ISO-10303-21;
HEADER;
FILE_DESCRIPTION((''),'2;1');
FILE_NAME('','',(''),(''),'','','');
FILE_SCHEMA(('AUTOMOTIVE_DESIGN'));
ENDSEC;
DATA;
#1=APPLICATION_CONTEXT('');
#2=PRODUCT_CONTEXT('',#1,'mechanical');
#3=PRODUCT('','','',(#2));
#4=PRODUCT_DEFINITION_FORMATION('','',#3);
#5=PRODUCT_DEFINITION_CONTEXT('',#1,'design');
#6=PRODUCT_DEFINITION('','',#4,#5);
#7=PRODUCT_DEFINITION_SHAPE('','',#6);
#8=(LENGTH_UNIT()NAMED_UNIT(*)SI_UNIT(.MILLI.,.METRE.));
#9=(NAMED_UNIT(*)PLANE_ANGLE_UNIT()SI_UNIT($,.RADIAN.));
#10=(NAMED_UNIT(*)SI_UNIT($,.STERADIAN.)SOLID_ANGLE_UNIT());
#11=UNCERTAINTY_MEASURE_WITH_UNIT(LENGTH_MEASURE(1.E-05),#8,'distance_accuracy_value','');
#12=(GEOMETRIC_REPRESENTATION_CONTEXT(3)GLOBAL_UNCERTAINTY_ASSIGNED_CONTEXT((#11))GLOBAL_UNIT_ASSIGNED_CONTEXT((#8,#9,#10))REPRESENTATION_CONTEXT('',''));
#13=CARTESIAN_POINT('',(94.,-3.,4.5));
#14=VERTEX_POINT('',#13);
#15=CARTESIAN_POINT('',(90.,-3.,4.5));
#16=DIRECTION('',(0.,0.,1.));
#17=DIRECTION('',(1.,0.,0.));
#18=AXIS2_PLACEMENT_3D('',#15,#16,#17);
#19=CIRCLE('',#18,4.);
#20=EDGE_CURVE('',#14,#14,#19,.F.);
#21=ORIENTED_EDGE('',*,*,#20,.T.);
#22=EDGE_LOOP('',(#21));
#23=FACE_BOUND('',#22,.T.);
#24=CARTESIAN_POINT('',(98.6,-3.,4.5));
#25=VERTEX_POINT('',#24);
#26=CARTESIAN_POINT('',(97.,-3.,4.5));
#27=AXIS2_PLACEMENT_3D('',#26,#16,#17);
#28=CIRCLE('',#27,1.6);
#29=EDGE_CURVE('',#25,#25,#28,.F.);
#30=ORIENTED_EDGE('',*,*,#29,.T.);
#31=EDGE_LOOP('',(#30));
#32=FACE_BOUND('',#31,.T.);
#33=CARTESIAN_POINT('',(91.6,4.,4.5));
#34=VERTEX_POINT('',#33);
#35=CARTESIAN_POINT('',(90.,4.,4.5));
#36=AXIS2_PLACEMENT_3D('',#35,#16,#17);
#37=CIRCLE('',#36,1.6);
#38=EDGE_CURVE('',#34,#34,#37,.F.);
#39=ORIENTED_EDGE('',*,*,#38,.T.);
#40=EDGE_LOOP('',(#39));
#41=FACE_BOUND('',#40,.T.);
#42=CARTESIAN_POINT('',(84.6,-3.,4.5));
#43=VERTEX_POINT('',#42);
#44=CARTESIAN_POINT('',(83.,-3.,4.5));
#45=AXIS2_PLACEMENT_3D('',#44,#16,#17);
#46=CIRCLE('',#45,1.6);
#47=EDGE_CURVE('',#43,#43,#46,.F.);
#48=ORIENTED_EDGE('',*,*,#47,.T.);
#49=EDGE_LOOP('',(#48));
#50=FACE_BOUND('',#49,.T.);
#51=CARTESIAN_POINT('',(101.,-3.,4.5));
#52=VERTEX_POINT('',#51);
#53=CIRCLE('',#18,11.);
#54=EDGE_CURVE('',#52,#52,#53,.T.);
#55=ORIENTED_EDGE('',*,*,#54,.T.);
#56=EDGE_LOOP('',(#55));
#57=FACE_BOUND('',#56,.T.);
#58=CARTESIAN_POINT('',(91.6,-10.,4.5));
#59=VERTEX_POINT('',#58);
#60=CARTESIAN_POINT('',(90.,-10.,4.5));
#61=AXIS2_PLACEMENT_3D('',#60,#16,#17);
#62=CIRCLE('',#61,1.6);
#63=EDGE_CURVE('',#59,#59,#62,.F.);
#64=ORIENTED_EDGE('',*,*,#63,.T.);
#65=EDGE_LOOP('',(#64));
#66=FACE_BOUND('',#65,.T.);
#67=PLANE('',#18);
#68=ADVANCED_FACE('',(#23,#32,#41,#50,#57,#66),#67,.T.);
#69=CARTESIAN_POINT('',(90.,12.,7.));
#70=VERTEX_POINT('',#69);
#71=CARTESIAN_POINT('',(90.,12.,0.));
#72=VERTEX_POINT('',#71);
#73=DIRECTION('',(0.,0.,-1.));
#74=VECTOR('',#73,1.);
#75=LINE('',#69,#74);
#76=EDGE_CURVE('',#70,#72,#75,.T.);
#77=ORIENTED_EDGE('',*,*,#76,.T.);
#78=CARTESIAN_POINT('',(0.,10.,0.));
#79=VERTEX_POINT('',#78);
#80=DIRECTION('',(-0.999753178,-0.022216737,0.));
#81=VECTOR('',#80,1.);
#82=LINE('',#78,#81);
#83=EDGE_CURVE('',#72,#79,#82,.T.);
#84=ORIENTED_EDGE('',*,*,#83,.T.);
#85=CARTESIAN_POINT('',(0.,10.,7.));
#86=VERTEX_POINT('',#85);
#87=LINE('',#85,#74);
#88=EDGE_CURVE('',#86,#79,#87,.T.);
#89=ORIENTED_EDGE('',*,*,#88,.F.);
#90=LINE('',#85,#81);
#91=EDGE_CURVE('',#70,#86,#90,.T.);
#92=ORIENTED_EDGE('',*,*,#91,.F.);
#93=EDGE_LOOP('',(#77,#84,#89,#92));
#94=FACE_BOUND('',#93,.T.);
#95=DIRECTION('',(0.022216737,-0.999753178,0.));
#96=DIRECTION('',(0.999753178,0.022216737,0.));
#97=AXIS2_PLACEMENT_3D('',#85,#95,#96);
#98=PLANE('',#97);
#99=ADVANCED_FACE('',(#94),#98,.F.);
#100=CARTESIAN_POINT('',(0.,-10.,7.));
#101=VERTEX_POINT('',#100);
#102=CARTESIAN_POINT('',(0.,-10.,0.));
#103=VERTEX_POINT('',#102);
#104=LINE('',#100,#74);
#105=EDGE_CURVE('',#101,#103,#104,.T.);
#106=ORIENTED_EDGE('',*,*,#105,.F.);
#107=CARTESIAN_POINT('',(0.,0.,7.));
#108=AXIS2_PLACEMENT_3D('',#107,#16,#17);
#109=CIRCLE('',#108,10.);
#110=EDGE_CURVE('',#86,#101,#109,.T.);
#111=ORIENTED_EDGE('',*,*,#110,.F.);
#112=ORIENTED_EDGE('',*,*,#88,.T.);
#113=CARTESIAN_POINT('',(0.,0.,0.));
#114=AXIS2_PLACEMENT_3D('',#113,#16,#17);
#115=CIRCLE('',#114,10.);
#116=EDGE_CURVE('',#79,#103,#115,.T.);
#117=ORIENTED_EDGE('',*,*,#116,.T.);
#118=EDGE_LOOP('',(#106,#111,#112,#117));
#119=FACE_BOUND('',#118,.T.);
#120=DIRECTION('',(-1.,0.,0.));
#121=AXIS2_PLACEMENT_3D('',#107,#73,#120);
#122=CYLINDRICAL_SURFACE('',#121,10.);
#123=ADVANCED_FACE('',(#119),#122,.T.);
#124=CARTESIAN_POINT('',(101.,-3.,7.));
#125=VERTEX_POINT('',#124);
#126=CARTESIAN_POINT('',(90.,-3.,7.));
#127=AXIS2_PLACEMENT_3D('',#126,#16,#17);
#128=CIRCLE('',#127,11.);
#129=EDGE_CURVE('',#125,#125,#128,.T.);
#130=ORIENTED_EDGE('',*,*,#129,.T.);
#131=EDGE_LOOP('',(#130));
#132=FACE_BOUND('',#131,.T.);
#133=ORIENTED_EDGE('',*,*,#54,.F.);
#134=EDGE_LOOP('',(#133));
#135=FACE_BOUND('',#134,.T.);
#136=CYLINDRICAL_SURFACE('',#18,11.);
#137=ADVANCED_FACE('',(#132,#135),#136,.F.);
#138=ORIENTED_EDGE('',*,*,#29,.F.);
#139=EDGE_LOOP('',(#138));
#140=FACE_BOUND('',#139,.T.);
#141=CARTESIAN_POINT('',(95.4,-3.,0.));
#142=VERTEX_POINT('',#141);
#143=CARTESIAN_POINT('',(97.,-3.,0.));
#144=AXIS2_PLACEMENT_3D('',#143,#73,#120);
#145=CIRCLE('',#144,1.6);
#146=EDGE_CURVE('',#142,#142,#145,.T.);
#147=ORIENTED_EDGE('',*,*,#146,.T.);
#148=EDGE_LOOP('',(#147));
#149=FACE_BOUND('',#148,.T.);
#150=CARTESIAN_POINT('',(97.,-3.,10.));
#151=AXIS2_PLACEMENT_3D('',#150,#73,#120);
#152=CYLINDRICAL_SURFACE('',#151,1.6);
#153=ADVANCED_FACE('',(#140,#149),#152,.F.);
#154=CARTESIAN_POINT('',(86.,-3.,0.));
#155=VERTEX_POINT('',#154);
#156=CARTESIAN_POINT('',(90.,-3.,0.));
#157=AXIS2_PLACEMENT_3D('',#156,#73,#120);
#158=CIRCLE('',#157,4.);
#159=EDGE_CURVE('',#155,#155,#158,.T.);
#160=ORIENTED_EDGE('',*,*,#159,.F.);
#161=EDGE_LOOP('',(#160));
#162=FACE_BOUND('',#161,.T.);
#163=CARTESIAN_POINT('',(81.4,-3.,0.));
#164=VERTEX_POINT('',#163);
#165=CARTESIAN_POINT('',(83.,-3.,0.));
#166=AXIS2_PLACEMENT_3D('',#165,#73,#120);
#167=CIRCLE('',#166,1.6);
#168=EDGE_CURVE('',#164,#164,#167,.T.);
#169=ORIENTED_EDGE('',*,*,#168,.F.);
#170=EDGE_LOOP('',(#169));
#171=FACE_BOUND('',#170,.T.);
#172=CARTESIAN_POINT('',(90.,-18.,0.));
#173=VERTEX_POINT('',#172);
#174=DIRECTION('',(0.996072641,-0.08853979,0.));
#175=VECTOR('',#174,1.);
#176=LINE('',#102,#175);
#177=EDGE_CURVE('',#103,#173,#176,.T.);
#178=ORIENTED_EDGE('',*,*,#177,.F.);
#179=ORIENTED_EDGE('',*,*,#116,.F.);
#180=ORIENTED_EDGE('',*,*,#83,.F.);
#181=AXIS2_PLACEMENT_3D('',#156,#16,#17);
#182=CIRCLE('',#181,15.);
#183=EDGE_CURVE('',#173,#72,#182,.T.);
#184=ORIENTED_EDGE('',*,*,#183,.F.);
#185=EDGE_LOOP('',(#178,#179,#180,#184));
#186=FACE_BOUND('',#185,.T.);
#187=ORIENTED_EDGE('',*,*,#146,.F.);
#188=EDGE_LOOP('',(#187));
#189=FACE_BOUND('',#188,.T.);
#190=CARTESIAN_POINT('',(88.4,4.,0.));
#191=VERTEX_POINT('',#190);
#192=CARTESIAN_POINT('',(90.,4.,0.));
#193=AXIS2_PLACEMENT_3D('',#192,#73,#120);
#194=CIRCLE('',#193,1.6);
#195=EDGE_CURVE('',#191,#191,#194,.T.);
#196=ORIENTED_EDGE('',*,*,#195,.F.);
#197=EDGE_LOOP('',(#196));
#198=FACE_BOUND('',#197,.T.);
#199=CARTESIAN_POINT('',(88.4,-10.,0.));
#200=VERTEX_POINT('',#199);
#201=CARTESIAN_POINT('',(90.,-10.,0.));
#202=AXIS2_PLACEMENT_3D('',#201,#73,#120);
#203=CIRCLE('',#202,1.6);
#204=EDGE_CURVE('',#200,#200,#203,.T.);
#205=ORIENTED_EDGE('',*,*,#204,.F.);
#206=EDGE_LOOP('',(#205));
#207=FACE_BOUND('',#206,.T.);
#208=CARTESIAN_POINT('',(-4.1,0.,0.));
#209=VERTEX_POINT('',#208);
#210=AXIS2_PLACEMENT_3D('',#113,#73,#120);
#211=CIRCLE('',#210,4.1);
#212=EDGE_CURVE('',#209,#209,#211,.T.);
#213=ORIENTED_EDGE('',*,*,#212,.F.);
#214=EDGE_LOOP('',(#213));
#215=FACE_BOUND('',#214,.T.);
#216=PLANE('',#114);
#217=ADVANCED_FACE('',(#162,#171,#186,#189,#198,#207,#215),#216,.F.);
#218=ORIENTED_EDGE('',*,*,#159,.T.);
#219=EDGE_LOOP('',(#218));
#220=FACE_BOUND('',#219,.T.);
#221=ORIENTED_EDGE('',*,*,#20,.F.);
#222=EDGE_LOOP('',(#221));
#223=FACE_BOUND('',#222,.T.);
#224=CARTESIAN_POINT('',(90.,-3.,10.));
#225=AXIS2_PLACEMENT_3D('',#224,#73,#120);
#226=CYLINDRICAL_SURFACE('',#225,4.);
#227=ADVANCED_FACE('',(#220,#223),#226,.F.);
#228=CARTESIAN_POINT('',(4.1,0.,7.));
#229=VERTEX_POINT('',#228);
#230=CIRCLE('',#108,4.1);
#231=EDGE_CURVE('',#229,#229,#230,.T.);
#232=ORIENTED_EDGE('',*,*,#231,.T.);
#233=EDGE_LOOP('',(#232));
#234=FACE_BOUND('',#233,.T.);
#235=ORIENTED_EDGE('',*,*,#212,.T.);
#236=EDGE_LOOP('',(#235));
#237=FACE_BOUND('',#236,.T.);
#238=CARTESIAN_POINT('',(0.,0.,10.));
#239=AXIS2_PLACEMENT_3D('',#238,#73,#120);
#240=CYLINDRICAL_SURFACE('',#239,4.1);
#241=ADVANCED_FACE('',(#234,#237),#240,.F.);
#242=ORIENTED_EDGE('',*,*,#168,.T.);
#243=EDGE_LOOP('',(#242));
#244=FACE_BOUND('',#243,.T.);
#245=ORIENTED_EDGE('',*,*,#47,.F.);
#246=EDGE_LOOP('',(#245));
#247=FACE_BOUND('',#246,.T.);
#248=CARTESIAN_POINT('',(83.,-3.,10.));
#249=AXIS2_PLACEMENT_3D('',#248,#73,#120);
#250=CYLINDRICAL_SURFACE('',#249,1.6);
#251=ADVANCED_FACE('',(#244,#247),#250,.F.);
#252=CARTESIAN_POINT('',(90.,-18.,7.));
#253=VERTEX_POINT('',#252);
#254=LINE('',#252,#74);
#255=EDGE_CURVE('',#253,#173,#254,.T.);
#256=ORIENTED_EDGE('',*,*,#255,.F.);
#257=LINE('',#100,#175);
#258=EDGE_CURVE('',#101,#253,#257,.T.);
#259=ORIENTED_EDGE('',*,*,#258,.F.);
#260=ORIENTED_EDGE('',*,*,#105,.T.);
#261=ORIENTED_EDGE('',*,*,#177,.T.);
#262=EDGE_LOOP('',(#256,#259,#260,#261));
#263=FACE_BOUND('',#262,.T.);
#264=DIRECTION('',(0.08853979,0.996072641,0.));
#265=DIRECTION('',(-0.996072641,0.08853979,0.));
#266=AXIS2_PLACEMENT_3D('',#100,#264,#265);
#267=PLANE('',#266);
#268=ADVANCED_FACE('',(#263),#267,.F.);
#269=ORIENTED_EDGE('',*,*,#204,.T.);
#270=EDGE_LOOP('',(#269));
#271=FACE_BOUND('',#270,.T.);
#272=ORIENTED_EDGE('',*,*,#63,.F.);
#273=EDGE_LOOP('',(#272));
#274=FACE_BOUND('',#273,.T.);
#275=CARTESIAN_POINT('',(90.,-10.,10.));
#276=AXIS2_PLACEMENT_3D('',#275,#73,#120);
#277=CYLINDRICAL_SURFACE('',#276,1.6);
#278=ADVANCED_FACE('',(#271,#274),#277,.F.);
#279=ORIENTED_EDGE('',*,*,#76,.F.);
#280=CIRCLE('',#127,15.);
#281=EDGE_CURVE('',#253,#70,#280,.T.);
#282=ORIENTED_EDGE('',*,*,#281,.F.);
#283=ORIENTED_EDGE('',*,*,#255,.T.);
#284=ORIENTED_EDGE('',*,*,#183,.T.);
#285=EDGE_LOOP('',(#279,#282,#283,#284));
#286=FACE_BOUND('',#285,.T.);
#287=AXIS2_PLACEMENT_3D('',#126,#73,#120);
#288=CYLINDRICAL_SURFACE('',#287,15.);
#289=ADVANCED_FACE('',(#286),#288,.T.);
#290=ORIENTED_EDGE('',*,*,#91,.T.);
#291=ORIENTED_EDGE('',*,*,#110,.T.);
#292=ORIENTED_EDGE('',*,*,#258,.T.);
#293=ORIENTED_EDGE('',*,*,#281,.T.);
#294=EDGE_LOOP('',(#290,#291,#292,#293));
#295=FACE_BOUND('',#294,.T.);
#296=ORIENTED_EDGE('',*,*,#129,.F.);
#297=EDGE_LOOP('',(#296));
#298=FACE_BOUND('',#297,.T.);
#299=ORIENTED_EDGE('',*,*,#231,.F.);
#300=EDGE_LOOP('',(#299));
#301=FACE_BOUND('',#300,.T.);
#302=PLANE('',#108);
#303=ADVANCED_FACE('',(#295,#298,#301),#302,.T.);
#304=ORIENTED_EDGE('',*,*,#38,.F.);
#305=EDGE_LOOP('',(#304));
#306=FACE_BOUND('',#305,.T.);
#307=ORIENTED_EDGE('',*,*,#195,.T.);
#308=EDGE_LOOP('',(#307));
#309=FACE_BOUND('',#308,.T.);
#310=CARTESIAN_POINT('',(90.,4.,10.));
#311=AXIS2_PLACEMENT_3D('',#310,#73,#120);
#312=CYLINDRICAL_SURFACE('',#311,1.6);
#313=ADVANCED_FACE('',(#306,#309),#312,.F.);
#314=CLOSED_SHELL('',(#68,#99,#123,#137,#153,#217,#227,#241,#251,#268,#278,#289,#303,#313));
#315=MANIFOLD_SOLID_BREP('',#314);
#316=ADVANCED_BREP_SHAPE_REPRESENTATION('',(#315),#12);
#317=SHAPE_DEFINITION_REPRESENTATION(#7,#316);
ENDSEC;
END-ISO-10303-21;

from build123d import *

# Parameters (mm, degrees)
EXTRUDE_1_DEPTH     = 7
SKETCH_2_R          = 4.1
SKETCH_2_R_2        = 1.6
SKETCH_2_R_3        = 4
CUT_EXTRUDE_1_DEPTH = 10
SKETCH_3_R          = 11
CUT_EXTRUDE_2_DEPTH = 2.5


with BuildPart() as part:
    # 草图1 → 凸台-拉伸1 (new body)
    with BuildSketch(Plane.XY):
        with BuildLine():
            Line((0, -10), (90, -18))
            ThreePointArc((90, -18), (105, -3), (90, 12))
            Line((90, 12), (0, 10))
            ThreePointArc((0, 10), (-10, 0), (0, -10))
        make_face()
    extrude(amount=EXTRUDE_1_DEPTH)

    # 草图2 → 切除-拉伸1 (cut)
    with BuildSketch(Plane(origin=(0, 0, 0), x_dir=(-1, 0, 0), z_dir=(0, 0, -1))):
        Circle(SKETCH_2_R)
        with Locations((-90, -10)):
            Circle(SKETCH_2_R_2)
        with Locations((-83, -3)):
            Circle(SKETCH_2_R_2)
        with Locations((-90, 4)):
            Circle(SKETCH_2_R_2)
        with Locations((-97, -3)):
            Circle(SKETCH_2_R_2)
        with Locations((-90, -3)):
            Circle(SKETCH_2_R_3)
    extrude(amount=-CUT_EXTRUDE_1_DEPTH, mode=Mode.SUBTRACT)

    # 草图3 → 切除-拉伸2 (cut)
    with BuildSketch(Plane.XY.offset(7)):
        with Locations((90, -3)):
            Circle(SKETCH_3_R)
    extrude(amount=-CUT_EXTRUDE_2_DEPTH, mode=Mode.SUBTRACT)


solid = part.part
